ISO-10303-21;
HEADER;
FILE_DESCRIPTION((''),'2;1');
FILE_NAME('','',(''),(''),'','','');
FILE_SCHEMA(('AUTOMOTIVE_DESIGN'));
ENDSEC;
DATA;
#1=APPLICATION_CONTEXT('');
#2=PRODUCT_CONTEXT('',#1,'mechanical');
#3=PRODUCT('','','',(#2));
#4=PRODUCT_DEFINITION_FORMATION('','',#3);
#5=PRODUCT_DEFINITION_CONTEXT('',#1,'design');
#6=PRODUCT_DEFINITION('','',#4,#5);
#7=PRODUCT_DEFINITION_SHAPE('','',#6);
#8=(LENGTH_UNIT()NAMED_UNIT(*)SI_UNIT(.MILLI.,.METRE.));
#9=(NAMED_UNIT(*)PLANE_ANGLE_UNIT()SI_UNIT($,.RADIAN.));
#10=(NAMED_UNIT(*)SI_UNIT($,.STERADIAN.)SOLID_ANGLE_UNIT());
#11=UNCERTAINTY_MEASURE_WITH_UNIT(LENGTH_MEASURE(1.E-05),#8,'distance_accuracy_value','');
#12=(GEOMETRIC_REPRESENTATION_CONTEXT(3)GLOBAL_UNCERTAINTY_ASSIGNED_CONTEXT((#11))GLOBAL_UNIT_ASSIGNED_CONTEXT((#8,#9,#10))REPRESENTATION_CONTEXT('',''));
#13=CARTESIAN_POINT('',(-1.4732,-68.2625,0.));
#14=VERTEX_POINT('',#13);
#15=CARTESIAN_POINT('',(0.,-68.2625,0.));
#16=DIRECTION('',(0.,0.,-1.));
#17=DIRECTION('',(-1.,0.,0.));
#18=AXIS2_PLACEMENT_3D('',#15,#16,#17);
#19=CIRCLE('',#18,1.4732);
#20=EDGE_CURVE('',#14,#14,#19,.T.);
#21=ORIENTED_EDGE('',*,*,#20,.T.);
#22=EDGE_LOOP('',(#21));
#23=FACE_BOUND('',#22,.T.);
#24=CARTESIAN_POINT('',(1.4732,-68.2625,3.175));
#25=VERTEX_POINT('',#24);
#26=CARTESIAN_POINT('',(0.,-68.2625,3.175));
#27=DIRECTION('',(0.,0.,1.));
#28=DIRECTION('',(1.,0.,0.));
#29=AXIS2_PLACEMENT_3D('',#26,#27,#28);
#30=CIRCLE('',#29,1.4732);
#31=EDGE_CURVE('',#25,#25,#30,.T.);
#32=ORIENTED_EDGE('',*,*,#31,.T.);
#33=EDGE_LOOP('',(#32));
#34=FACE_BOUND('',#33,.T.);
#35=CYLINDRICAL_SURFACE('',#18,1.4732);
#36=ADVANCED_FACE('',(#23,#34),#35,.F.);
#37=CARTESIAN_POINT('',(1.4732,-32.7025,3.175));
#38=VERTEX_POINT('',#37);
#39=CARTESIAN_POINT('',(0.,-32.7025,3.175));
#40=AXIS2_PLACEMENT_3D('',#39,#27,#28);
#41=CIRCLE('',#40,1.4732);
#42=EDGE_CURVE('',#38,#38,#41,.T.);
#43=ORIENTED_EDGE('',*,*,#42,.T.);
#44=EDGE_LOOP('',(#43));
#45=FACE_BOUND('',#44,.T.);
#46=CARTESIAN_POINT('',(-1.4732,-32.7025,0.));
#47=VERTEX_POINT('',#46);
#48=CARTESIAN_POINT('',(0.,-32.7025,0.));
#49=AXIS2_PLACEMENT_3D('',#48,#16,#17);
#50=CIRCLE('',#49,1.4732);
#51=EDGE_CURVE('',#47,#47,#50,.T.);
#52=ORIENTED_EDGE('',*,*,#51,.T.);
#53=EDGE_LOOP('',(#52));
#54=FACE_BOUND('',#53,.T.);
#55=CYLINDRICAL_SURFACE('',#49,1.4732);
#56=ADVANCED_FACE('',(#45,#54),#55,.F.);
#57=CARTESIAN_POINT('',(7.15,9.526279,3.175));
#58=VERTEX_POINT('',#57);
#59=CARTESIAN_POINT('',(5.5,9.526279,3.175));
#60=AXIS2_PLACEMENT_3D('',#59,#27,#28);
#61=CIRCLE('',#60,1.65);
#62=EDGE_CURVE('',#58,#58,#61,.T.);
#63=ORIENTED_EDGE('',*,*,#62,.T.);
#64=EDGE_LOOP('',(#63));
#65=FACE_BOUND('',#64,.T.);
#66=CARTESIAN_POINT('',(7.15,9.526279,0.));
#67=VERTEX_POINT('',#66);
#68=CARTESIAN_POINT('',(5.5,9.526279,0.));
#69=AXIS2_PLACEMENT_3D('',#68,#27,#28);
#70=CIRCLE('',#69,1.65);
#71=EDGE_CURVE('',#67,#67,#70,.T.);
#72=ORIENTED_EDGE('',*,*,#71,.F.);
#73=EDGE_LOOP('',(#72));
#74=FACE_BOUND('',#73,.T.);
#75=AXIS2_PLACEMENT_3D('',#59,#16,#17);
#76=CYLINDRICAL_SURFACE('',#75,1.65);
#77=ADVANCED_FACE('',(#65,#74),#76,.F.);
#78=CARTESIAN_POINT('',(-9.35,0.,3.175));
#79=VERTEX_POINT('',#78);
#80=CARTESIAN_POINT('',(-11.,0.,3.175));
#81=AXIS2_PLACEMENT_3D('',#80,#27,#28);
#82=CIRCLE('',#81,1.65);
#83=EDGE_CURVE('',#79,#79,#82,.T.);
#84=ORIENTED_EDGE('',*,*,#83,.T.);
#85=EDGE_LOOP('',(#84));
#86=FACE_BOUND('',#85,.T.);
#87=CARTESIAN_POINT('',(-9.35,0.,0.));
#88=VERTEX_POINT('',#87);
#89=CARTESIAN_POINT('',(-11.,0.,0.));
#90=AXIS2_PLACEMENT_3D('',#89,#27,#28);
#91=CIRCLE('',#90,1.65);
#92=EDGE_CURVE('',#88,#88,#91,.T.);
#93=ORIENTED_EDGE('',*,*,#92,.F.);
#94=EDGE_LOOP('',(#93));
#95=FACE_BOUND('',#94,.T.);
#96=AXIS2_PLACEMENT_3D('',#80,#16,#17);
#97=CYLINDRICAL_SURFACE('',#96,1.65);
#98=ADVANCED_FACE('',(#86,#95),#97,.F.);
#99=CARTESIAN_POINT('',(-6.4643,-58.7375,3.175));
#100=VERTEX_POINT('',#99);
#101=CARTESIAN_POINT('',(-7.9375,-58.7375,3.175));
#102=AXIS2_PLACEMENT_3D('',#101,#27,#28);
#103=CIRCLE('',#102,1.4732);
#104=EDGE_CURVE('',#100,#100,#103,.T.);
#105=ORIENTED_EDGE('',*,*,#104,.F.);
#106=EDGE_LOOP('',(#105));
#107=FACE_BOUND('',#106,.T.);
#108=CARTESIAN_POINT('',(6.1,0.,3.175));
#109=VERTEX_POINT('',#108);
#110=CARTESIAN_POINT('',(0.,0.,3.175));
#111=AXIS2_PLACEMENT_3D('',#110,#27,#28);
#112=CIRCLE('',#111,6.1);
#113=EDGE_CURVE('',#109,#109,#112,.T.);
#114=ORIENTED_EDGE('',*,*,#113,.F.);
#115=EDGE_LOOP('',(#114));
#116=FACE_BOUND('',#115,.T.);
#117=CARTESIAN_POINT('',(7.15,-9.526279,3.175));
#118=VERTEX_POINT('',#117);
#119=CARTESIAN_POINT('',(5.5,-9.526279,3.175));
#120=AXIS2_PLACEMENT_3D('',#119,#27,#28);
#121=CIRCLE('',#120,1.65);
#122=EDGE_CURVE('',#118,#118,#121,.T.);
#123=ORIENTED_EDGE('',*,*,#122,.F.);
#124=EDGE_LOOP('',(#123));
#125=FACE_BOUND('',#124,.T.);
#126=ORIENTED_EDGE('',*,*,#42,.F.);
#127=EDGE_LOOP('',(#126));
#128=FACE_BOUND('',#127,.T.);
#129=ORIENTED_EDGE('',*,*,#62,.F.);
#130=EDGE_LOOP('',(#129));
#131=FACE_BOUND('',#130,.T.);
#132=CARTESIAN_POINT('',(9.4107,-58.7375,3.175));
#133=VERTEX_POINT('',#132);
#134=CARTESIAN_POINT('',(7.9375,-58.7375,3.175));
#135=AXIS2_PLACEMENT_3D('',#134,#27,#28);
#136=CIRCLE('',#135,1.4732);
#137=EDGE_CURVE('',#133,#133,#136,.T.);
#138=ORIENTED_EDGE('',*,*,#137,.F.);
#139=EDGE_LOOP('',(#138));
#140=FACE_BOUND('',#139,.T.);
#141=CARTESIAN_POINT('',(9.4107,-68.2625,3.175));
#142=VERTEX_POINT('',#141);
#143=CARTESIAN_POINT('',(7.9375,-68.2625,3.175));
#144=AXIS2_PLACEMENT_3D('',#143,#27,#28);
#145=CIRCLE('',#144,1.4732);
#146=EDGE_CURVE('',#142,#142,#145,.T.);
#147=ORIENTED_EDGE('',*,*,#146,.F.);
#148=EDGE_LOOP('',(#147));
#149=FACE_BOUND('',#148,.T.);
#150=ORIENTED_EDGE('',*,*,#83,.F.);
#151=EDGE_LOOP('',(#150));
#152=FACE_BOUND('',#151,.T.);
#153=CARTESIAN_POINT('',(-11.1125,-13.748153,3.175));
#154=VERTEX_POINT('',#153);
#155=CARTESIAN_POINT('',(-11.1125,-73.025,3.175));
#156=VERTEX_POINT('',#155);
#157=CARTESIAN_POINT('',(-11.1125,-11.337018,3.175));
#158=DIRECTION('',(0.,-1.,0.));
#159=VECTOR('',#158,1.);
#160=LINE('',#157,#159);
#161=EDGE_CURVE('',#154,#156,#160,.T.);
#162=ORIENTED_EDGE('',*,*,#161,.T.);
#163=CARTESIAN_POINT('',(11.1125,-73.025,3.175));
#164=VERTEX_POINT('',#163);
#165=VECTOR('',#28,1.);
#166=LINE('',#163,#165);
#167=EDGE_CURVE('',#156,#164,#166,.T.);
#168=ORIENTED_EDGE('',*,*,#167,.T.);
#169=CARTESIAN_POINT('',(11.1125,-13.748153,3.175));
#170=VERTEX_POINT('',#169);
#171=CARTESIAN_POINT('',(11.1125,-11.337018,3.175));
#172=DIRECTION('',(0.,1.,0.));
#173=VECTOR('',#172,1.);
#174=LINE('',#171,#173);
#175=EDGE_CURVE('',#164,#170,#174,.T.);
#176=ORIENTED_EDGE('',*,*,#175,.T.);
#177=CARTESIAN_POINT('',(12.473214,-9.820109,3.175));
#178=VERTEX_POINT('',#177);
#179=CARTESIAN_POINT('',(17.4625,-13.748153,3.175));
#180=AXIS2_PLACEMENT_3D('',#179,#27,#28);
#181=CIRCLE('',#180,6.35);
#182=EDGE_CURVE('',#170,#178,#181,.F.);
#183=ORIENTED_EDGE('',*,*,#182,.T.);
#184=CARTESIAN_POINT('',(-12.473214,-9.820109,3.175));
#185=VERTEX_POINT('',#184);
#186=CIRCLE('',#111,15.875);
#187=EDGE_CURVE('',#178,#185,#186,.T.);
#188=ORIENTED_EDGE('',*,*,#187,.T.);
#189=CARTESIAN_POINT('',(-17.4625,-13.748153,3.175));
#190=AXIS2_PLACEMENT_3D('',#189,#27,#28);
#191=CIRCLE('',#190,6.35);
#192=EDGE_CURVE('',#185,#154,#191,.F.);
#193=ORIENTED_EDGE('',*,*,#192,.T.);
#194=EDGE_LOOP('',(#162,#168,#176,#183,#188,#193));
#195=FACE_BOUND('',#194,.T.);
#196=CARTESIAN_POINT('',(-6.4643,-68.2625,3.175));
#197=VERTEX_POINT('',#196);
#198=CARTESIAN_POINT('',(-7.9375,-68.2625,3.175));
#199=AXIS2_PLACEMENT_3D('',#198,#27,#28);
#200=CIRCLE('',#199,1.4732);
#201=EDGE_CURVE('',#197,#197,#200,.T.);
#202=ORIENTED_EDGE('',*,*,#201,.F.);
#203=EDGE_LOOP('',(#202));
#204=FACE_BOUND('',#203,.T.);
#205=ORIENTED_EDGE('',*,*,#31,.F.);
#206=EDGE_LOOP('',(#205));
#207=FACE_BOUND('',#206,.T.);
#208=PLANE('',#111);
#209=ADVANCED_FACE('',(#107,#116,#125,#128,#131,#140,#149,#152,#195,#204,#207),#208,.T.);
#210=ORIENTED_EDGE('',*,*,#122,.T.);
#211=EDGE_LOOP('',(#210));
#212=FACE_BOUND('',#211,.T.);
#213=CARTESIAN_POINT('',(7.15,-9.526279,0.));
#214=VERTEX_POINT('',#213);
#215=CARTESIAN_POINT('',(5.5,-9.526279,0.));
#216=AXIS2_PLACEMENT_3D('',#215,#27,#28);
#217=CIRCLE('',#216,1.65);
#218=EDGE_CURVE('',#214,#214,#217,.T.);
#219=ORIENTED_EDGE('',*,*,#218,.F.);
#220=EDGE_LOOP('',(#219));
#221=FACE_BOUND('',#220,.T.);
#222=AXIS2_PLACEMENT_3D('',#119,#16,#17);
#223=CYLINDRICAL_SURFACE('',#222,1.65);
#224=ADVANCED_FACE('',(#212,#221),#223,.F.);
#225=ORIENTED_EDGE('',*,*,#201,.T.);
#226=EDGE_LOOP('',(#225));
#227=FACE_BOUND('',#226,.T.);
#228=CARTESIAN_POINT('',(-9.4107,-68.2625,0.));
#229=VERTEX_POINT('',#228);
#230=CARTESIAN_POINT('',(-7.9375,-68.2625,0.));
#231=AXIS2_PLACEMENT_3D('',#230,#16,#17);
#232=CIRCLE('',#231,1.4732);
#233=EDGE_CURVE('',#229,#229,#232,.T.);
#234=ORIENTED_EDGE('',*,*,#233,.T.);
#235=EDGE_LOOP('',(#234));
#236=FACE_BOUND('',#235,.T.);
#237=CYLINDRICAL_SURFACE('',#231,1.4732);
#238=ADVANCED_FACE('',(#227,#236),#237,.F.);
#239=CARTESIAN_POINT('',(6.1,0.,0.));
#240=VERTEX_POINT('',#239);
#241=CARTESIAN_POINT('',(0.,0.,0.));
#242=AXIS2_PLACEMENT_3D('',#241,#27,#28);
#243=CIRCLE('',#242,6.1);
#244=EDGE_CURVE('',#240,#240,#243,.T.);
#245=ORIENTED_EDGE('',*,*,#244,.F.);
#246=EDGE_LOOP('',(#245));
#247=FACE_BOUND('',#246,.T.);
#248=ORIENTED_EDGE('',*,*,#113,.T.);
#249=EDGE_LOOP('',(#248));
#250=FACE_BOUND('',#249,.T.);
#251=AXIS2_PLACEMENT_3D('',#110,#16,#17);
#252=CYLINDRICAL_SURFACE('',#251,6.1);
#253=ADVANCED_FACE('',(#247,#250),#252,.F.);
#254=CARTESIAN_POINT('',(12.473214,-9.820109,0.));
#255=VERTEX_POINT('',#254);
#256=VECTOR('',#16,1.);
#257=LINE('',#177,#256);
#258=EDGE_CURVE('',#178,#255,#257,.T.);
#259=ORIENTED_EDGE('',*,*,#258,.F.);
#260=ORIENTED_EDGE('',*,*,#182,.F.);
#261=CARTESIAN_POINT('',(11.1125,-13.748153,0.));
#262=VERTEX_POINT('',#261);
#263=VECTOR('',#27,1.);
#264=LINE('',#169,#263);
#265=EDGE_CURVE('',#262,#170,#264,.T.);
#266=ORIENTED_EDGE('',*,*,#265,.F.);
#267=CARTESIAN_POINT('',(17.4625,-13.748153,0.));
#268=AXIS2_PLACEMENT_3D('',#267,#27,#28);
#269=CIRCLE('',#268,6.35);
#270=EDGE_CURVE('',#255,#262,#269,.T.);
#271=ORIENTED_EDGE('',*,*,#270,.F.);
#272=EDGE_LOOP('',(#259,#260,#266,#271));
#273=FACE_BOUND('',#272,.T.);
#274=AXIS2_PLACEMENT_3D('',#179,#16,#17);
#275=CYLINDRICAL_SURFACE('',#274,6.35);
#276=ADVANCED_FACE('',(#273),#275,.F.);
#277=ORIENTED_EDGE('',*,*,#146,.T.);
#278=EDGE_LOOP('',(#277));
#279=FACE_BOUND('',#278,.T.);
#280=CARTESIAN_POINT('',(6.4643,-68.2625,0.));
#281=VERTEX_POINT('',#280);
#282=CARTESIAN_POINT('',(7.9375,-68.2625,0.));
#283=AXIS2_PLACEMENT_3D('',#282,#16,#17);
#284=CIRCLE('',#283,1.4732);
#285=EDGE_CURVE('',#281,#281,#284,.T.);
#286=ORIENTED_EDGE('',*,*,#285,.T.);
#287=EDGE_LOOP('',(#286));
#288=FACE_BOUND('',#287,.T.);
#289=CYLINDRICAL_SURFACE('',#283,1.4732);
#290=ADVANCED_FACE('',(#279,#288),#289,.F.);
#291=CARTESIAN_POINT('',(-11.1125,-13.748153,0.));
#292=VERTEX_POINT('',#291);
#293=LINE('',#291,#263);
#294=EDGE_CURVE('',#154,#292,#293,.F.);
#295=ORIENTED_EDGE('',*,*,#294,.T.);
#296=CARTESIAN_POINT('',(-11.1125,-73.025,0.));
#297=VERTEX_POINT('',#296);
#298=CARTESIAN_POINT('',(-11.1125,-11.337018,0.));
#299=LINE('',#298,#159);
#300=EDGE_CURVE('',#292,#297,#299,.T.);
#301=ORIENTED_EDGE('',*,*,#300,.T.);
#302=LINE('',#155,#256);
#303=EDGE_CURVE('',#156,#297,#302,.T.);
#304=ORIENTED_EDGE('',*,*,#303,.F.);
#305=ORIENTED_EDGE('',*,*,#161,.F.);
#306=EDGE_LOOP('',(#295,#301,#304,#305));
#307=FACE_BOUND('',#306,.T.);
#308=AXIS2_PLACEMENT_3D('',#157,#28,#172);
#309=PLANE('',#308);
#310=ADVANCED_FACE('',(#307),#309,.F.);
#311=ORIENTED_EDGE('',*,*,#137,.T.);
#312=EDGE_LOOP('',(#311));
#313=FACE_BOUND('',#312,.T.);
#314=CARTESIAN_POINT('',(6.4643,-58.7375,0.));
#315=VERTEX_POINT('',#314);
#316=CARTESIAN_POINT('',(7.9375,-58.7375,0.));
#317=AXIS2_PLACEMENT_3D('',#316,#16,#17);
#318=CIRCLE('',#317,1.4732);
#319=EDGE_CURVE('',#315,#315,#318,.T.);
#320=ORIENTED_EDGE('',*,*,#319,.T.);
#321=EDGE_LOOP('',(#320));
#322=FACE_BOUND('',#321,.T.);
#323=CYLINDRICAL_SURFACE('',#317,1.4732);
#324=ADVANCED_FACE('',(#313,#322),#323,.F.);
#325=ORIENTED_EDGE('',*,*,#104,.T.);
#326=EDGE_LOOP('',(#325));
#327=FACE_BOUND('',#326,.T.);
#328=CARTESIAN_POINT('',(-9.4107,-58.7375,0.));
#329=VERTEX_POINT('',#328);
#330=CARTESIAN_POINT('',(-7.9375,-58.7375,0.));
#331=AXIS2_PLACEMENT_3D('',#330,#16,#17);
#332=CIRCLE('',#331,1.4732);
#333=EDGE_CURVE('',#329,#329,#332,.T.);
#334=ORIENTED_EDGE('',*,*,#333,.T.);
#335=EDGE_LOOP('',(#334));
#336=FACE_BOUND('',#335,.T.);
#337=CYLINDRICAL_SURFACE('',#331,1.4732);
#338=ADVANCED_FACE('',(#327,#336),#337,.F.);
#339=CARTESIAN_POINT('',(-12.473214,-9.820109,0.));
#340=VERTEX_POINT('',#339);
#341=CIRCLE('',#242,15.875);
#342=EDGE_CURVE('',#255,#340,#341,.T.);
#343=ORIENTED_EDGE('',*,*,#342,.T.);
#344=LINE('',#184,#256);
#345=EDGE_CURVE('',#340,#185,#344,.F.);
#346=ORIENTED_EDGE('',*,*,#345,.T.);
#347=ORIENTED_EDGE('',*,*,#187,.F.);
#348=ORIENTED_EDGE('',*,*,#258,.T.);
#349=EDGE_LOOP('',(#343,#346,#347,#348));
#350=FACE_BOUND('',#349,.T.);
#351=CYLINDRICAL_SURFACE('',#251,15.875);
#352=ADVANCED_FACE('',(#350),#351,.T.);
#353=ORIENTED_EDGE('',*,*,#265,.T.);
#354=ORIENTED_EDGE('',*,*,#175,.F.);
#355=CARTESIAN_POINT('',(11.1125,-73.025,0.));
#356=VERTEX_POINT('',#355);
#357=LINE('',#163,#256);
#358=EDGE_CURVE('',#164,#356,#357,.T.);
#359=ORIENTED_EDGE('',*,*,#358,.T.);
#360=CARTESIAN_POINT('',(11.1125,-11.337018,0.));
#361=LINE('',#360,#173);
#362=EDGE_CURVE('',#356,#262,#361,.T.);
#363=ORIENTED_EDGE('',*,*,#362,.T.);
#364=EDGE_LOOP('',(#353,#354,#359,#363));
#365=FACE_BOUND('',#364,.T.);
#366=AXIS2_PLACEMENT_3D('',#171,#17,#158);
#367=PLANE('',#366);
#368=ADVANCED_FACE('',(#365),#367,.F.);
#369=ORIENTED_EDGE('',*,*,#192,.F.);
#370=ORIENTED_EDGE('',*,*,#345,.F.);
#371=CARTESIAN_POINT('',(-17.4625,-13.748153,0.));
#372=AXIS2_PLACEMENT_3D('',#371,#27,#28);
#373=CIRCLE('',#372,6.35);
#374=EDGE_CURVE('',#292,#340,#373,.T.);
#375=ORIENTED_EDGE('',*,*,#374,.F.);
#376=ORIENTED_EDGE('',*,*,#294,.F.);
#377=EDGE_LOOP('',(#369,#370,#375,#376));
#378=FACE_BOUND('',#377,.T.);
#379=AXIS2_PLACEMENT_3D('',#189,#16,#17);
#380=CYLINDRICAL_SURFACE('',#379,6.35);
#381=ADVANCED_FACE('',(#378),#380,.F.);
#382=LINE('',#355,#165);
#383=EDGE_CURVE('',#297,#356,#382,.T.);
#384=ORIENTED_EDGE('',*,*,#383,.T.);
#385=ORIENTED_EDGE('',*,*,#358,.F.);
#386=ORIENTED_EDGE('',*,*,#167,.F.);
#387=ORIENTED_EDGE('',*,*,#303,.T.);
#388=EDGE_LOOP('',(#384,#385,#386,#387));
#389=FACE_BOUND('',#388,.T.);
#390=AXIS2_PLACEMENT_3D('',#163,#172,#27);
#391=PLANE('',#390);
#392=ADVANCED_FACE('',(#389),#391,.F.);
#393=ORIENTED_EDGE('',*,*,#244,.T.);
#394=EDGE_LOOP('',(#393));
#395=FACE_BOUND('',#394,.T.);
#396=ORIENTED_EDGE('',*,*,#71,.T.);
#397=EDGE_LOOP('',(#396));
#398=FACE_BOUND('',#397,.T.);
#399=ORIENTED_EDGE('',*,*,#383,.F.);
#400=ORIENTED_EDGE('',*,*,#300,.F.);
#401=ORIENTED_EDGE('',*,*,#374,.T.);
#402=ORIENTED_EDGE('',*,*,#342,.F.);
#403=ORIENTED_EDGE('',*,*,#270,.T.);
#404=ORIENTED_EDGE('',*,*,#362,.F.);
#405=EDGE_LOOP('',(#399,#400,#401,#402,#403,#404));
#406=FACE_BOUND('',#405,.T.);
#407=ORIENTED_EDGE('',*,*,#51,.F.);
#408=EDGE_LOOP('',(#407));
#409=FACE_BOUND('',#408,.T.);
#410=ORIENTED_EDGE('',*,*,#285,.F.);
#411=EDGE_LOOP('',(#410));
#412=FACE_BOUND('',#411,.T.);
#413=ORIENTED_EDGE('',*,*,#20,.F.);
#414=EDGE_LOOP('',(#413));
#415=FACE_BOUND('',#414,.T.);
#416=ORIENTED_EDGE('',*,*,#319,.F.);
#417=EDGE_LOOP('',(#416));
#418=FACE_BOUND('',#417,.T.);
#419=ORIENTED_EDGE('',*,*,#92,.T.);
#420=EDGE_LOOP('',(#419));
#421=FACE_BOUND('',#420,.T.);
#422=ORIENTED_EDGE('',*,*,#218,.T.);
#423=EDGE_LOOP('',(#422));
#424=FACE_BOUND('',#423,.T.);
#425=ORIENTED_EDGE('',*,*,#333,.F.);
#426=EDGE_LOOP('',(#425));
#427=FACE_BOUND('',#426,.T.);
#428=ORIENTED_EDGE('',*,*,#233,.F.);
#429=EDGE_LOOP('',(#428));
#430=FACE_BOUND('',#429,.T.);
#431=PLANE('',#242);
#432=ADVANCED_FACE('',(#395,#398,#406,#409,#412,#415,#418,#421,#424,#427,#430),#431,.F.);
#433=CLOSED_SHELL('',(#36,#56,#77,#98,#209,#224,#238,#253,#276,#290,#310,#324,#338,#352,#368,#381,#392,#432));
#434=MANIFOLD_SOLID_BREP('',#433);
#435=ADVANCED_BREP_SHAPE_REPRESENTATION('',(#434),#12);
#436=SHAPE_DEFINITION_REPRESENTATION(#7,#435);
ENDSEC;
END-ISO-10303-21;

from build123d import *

# Parameters (mm, degrees)
SKETCH1_R                 = 1.65
SKETCH1_R_2               = 6.1
BOSS_EXTRUDE1_DEPTH       = 3.175
F_4_CLEARANCE_HOLE2_D     = 2.9464
F_4_CLEARANCE_HOLE2_DEPTH = 9.906
F_4_CLEARANCE_HOLE2_TIP   = 0.885187864
F_4_CLEARANCE_HOLE1_D     = 2.9464
FILLET1_R                 = 6.35


with BuildPart() as part:
    # Sketch1 → Boss-Extrude1 (new body)
    with BuildSketch(Plane.XY):
        with BuildLine():
            Line((-11.1125, -11.33701763), (-11.1125, -73.025))
            Line((-11.1125, -73.025), (11.1125, -73.025))
            Line((11.1125, -73.025), (11.1125, -11.33701763))
            ThreePointArc((11.1125, -11.33701763), (0, 15.875), (-11.1125, -11.33701763))
        make_face()
        with Locations((-11, 0)):
            Circle(SKETCH1_R, mode=Mode.SUBTRACT)
        with Locations((5.5, 9.526279442)):
            Circle(SKETCH1_R, mode=Mode.SUBTRACT)
        with Locations((5.5, -9.526279442)):
            Circle(SKETCH1_R, mode=Mode.SUBTRACT)
        Circle(SKETCH1_R_2, mode=Mode.SUBTRACT)
    extrude(amount=BOSS_EXTRUDE1_DEPTH)

    # #4 Clearance Hole2
    with Locations(Plane(origin=(0, 0, 0), x_dir=(-1, 0, 0), z_dir=(0, 0, -1))):
        with Locations((7.9375, -68.2625), (-7.9375, -68.2625), (-7.9375, -58.7375), (7.9375, -58.7375)):
            Hole(F_4_CLEARANCE_HOLE2_D / 2, depth=F_4_CLEARANCE_HOLE2_DEPTH)
            with Locations((0, 0, -(F_4_CLEARANCE_HOLE2_DEPTH + F_4_CLEARANCE_HOLE2_TIP / 2))):  # 118° drill point
                Cone(0, F_4_CLEARANCE_HOLE2_D / 2, F_4_CLEARANCE_HOLE2_TIP, mode=Mode.SUBTRACT)

    # #4 Clearance Hole1 (through all)
    with Locations(Plane(origin=(0, 0, 0), x_dir=(-1, 0, 0), z_dir=(0, 0, -1))):
        with Locations((0, -68.2625), (0, -32.7025)):
            Hole(F_4_CLEARANCE_HOLE1_D / 2)

    # Fillet1
    fillet1_edges = [part.edges().sort_by_distance(p)[0] for p in [
        (11.1125, -11.33701763, 1.5875),
        (-11.1125, -11.33701763, 1.5875),
    ]]
    fillet(fillet1_edges, radius=FILLET1_R)


solid = part.part
